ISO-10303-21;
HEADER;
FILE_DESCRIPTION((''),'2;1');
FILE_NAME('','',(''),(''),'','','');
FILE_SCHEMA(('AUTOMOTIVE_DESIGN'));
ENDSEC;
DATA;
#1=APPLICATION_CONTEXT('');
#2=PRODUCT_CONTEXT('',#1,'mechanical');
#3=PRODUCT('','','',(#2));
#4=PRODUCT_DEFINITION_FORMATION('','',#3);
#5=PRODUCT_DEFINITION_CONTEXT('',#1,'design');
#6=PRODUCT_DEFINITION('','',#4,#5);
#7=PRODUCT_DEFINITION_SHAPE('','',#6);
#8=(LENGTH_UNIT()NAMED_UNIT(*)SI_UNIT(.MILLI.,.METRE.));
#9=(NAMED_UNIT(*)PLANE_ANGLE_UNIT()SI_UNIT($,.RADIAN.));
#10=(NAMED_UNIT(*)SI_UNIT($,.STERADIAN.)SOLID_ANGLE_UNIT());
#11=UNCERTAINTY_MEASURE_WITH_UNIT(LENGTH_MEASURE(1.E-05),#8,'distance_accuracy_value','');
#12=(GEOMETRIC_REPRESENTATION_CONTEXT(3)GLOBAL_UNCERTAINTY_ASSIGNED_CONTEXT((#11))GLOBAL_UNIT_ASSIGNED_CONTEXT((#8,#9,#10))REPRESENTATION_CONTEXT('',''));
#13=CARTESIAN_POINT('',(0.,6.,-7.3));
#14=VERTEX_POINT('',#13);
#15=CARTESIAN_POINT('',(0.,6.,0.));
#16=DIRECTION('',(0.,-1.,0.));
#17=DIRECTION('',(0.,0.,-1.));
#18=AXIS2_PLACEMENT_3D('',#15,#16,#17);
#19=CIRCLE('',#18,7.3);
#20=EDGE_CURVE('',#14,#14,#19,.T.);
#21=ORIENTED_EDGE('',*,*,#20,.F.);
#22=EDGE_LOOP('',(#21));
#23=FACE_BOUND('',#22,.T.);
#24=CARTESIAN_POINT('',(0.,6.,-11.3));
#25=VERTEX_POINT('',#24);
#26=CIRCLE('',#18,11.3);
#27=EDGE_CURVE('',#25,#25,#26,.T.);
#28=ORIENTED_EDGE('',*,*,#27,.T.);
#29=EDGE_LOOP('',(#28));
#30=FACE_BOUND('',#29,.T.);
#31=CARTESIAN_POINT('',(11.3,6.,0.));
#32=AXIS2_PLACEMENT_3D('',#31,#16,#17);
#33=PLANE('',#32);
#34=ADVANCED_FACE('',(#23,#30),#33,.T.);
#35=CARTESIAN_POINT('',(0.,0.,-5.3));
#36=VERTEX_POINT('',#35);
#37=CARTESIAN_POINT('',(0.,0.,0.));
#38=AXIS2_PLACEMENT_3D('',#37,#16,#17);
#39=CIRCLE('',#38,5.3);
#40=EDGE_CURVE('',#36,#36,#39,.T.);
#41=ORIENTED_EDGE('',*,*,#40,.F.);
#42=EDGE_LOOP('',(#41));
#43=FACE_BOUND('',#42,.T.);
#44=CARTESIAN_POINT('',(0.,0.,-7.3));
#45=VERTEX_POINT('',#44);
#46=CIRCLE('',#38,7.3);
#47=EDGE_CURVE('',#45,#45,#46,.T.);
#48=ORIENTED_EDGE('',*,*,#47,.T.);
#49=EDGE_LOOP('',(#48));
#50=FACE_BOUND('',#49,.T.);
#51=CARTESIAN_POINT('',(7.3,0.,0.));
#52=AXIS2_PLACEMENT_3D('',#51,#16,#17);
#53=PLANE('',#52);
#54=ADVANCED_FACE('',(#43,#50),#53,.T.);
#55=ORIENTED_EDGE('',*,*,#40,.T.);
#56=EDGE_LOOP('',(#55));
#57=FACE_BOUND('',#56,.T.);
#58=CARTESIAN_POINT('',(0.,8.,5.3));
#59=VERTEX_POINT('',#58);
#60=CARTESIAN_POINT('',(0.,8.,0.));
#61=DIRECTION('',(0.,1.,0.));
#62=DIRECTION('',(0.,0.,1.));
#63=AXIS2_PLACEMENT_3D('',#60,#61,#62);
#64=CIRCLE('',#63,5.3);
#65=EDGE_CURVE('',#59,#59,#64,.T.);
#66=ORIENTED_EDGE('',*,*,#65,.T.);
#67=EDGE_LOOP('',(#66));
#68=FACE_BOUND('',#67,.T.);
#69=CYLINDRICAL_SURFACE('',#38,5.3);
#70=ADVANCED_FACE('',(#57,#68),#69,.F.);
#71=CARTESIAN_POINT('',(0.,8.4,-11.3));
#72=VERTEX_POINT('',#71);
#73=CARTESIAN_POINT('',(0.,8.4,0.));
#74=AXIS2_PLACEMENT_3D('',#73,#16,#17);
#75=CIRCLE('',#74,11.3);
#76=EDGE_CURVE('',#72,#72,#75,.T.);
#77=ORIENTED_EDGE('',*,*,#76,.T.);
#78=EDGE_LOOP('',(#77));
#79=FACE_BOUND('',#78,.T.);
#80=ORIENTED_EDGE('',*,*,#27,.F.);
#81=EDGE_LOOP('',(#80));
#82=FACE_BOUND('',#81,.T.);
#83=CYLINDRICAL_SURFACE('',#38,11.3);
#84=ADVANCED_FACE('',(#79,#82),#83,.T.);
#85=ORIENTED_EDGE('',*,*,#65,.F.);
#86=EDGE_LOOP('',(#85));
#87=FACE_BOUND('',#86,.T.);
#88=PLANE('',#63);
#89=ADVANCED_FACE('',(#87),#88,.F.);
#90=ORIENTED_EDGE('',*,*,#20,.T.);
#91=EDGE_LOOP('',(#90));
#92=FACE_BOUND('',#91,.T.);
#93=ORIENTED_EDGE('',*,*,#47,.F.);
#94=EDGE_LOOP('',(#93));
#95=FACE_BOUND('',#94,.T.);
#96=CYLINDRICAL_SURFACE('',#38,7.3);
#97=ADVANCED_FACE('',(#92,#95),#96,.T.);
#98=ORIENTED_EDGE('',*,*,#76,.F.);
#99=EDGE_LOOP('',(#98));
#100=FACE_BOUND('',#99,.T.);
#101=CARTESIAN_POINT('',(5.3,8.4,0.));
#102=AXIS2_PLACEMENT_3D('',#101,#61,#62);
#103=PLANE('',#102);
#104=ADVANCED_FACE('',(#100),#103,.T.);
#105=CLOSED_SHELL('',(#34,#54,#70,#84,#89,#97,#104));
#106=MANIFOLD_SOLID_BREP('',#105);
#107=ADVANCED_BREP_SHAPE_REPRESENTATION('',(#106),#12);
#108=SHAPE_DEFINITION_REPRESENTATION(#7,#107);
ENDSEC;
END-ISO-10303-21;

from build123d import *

# Parameters (mm, degrees)
SKETCH_2_R      = 5.589622462
EXTRUDE_1_DEPTH = 0.4


with BuildPart() as part:
    # Эскиз1 → Повернуть1 (revolve)
    with BuildSketch(Plane.XY, mode=Mode.PRIVATE) as revolve_1_sk:
        Polygon((5.3, 0), (5.3, 8.4), (11.3, 8.4), (11.3, 6), (7.3, 6), (7.3, 0), align=None)
    revolve(revolve_1_sk.sketch.rotate(Axis((0, 0, 0), (0, 1, 0)), 90), axis=Axis((0, 0, 0), (0, 1, 0)))

    # Эскиз2 → Бобышка-Вытянуть1 (add)
    with BuildSketch(Plane(origin=(0, 8.4, 0), x_dir=(1, 0, 0), z_dir=(0, 1, 0))):
        Circle(SKETCH_2_R)
    extrude(amount=-EXTRUDE_1_DEPTH)


solid = part.part
